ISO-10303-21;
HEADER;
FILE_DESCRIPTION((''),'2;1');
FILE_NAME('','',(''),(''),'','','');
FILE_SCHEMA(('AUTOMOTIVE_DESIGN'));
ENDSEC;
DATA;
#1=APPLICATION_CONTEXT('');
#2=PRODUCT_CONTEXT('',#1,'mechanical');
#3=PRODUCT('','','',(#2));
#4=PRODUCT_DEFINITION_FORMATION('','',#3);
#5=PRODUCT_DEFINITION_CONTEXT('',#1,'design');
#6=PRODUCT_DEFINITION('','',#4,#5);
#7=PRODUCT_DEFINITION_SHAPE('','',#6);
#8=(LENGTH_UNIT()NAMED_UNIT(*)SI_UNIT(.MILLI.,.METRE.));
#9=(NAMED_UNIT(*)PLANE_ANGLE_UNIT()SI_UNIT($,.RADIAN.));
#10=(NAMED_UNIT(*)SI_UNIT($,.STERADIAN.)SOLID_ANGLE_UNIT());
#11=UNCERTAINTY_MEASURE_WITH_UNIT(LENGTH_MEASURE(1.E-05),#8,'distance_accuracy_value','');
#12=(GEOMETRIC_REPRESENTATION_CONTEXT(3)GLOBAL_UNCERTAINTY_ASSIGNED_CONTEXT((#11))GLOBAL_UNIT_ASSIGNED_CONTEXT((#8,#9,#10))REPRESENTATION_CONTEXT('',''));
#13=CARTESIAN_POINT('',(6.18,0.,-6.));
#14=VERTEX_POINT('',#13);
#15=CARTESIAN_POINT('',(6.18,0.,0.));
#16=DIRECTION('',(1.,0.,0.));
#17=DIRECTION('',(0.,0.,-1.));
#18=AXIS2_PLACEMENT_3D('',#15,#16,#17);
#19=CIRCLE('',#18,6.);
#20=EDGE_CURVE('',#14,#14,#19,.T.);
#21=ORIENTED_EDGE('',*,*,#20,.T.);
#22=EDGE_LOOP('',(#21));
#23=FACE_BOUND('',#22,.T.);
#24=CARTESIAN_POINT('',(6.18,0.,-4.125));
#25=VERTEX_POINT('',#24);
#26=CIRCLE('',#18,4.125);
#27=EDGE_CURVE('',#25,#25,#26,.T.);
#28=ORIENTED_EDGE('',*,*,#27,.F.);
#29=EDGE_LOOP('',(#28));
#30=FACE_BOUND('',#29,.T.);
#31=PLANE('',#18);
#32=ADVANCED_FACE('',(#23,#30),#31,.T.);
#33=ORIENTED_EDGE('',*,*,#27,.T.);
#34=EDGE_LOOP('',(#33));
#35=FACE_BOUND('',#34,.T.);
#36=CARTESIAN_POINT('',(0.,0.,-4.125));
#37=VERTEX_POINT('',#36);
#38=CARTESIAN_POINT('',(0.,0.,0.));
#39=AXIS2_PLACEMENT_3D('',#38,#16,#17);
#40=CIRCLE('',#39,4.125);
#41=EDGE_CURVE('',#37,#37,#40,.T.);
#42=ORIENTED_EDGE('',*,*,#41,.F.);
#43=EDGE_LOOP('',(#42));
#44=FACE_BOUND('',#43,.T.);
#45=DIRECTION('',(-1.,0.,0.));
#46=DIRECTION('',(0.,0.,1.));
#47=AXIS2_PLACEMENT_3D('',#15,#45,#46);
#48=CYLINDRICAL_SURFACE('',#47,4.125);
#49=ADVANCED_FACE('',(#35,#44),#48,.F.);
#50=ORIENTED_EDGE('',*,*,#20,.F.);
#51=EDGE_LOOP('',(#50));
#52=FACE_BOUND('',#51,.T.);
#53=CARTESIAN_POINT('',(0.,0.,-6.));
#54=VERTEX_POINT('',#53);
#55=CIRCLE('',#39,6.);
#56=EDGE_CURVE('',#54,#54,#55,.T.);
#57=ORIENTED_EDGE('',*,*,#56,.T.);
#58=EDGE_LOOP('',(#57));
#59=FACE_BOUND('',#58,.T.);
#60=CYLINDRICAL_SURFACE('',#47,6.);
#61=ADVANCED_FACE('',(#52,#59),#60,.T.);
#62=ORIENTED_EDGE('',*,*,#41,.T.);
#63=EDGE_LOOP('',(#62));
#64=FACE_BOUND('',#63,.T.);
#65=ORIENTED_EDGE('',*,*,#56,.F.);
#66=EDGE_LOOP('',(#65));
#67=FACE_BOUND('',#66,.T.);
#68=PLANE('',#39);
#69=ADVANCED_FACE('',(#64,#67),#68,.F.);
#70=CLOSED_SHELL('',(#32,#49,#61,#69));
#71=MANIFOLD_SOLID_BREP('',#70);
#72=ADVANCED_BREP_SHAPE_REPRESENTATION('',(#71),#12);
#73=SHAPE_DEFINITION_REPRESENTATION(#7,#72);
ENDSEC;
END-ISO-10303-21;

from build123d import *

# Parameters (mm, degrees)
SKETCH2_R           = 6
SKETCH2_R_2         = 4.125
BOSS_EXTRUDE1_DEPTH = 6.18


with BuildPart() as part:
    # Sketch2 → Boss-Extrude1 (new body)
    with BuildSketch(Plane(origin=(0, 0, 0), x_dir=(0, 0, -1), z_dir=(1, 0, 0))):
        Circle(SKETCH2_R)
        Circle(SKETCH2_R_2, mode=Mode.SUBTRACT)
    extrude(amount=BOSS_EXTRUDE1_DEPTH)


solid = part.part
